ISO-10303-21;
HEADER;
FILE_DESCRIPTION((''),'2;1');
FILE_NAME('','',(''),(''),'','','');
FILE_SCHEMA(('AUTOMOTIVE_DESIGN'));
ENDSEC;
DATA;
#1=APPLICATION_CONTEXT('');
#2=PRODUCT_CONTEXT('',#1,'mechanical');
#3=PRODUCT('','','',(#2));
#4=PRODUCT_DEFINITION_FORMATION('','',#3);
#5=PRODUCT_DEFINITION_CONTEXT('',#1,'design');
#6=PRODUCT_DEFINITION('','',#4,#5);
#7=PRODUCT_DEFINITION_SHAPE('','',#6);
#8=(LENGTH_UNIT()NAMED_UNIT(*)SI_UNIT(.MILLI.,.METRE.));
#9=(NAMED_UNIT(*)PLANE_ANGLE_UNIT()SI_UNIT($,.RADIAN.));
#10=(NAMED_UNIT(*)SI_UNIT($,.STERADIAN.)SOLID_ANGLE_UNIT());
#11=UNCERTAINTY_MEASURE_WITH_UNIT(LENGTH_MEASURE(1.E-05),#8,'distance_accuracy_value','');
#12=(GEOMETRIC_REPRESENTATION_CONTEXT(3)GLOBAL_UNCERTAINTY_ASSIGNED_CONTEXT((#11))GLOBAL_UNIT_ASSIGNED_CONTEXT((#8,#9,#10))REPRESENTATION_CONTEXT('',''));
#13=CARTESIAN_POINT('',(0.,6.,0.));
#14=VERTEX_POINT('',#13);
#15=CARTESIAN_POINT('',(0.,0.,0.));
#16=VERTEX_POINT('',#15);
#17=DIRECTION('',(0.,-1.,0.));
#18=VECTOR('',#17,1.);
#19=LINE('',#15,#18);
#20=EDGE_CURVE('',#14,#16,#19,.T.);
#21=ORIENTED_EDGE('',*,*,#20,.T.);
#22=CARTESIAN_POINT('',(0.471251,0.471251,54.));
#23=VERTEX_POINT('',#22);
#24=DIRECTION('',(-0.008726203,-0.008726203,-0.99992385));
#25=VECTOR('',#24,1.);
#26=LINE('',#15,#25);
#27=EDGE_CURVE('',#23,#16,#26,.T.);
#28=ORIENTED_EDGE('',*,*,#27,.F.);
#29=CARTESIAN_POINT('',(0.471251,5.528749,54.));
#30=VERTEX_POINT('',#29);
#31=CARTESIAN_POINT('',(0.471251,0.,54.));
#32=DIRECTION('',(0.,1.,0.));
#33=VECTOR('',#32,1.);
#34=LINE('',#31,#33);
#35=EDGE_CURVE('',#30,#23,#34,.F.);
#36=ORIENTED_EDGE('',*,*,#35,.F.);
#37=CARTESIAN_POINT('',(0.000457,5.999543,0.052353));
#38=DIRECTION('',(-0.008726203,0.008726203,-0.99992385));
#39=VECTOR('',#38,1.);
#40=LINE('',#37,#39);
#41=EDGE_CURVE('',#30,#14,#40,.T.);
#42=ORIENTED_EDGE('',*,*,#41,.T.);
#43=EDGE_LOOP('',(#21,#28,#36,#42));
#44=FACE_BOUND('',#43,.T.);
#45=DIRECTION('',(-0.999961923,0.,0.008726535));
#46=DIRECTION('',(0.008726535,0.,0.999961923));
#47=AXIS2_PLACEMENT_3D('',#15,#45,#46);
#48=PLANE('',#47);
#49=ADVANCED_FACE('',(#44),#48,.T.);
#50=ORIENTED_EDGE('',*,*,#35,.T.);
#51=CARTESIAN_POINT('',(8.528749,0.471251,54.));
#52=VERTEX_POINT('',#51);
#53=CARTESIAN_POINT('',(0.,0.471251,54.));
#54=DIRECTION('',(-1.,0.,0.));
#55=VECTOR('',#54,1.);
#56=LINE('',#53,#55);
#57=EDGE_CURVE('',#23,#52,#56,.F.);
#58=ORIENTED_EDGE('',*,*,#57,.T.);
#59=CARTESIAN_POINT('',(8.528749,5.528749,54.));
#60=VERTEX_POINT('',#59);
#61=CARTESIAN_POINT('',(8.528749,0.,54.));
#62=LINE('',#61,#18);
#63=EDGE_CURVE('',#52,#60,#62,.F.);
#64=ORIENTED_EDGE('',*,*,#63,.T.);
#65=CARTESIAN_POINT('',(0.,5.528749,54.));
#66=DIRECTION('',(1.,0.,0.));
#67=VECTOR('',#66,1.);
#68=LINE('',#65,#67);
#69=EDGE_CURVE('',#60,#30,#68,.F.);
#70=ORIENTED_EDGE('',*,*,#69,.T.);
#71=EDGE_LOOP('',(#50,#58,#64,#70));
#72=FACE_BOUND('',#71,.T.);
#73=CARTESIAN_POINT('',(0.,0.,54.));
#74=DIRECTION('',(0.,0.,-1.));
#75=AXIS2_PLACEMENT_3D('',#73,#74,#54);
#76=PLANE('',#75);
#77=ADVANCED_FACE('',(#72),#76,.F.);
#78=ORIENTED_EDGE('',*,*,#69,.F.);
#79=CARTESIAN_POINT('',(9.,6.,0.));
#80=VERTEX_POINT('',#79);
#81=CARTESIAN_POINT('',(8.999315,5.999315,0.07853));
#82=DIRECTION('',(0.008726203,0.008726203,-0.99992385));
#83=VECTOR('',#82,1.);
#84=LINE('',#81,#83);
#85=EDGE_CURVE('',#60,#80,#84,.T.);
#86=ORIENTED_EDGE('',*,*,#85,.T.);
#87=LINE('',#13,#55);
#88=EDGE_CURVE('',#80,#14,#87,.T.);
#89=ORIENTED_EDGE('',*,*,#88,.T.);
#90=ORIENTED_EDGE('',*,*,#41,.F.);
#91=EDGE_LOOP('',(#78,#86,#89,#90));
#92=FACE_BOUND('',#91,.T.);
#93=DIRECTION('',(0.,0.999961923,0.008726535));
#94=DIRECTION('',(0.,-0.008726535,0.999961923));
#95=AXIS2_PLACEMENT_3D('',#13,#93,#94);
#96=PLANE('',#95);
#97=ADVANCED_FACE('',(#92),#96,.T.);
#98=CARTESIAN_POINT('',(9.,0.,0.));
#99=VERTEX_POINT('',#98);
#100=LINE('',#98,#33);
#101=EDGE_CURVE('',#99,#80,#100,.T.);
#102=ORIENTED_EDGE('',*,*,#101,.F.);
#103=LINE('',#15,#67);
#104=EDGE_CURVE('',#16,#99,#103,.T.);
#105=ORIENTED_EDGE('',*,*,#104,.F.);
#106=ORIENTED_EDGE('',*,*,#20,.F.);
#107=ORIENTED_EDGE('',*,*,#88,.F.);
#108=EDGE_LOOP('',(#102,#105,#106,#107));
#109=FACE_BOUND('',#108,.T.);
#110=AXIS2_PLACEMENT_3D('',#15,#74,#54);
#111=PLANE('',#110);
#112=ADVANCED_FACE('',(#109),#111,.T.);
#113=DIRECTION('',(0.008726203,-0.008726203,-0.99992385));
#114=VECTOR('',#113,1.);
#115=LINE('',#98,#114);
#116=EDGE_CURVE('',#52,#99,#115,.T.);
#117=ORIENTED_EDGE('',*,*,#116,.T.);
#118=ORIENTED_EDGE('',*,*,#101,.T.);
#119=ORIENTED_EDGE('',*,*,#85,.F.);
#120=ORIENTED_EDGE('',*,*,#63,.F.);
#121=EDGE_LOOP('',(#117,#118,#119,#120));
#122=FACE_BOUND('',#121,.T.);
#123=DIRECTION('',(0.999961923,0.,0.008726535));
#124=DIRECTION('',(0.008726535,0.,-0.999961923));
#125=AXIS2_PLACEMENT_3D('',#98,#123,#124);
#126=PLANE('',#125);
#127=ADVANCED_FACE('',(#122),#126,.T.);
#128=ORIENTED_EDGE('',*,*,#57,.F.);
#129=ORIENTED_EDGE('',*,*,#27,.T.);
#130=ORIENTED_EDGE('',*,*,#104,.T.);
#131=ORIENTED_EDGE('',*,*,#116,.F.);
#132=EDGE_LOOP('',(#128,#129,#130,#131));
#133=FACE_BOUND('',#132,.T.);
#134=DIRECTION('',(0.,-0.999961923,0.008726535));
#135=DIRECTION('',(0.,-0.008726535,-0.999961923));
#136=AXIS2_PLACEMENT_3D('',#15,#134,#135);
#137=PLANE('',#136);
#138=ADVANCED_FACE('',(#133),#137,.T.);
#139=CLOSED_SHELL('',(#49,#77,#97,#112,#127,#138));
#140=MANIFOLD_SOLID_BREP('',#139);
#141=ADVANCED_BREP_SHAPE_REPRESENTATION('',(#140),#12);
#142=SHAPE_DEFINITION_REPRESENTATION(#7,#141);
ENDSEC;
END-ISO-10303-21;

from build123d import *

# Parameters (mm, degrees)
SKETCH1_W           = 9
SKETCH1_H           = 6
BOSS_EXTRUDE1_DEPTH = 54
BOSS_EXTRUDE1_TAPER = 0.5


with BuildPart() as part:
    # Sketch1 → Boss-Extrude1 (new body)
    with BuildSketch(Plane.XY):
        with Locations((4.5, 3)):
            Rectangle(SKETCH1_W, SKETCH1_H)
    extrude(amount=BOSS_EXTRUDE1_DEPTH, taper=BOSS_EXTRUDE1_TAPER)


solid = part.part
